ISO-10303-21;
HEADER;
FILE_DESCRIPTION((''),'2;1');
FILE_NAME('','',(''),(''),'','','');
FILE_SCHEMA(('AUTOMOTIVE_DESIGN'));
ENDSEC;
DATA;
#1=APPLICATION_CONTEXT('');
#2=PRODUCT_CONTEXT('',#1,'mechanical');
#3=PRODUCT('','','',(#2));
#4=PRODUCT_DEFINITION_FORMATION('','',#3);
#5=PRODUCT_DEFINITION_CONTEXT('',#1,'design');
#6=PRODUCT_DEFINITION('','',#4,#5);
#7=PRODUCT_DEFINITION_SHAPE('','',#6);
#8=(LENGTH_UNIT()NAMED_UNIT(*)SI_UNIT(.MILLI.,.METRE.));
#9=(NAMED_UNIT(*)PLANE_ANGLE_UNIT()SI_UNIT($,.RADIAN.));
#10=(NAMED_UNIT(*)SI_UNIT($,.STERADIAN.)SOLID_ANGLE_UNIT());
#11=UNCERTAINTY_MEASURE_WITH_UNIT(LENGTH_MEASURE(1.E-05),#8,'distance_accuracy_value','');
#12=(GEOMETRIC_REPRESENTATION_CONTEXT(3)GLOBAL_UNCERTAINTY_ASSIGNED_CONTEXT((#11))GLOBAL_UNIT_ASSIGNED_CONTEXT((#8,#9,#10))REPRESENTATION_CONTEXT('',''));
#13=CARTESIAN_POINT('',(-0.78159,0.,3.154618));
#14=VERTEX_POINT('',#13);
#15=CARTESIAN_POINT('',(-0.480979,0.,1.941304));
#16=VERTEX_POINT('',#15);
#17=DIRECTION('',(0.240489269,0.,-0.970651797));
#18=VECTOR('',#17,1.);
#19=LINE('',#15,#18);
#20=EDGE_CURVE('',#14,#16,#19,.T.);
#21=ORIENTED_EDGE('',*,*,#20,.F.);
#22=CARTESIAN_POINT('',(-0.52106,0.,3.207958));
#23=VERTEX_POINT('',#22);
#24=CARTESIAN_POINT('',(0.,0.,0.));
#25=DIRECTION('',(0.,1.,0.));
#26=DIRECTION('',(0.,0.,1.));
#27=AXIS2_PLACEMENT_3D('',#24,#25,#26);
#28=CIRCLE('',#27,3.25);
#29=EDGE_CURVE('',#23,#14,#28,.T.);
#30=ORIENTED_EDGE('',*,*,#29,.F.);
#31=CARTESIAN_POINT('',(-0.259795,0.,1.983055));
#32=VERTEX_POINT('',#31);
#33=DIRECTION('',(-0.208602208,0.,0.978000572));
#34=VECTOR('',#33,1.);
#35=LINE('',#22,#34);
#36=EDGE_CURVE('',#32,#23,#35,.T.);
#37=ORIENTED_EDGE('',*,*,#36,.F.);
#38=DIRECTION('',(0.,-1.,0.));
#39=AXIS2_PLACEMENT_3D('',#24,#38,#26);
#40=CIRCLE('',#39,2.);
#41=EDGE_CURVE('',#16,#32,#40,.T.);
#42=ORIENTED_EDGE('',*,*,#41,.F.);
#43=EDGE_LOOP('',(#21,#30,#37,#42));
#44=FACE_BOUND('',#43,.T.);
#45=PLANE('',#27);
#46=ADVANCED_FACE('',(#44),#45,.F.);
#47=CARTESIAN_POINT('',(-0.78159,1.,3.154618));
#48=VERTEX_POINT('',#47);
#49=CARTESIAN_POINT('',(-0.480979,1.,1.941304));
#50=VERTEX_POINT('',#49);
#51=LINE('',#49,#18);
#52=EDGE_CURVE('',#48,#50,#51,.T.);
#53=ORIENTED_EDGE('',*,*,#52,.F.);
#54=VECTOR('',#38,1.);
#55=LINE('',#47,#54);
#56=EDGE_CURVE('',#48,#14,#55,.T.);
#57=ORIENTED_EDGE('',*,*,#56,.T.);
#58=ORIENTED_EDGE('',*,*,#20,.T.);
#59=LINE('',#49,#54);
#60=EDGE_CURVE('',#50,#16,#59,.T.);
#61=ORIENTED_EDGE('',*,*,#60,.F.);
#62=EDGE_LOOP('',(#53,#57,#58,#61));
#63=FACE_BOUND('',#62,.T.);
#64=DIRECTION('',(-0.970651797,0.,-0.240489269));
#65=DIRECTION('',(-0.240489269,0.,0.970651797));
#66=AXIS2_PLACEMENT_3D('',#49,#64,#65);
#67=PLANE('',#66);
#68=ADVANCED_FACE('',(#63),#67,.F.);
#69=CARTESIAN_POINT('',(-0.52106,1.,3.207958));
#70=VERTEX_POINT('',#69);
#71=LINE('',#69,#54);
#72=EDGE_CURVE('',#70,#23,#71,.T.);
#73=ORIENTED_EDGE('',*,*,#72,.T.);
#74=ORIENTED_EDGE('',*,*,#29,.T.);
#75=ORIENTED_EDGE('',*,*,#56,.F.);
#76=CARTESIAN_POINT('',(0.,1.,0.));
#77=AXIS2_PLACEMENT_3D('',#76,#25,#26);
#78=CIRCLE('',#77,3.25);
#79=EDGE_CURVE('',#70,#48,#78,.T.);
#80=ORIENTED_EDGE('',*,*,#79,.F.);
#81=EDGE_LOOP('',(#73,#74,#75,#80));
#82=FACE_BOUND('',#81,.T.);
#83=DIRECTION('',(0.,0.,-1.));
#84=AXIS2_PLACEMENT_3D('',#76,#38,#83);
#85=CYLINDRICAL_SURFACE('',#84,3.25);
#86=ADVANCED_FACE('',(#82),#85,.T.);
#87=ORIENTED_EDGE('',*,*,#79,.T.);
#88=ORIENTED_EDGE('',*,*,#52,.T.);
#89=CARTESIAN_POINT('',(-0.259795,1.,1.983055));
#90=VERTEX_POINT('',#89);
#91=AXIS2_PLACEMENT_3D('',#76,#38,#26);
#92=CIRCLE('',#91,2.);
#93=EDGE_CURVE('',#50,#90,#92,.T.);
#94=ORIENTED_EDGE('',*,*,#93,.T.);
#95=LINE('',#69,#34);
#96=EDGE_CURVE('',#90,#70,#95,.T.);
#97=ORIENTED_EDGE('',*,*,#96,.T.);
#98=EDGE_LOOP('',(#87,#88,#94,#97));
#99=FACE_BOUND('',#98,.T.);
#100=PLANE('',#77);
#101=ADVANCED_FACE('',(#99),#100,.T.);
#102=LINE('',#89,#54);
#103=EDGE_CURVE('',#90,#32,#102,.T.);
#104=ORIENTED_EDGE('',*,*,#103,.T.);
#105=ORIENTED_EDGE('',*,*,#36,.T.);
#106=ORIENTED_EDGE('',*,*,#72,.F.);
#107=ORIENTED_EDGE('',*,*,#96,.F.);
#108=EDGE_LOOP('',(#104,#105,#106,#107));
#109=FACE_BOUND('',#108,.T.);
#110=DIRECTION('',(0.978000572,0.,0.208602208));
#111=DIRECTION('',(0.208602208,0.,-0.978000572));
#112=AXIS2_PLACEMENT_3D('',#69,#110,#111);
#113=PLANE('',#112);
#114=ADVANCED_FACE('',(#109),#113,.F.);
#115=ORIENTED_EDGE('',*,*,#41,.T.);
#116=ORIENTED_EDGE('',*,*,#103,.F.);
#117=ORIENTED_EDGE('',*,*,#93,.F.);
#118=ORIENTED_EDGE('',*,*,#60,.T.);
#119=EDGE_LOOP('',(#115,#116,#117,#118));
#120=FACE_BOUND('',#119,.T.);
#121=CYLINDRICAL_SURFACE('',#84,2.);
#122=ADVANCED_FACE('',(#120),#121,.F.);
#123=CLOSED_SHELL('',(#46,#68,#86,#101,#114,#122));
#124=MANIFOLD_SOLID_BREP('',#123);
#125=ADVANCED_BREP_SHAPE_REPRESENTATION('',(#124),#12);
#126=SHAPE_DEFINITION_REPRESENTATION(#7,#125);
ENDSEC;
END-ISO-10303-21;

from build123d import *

# Parameters (mm, degrees)
EXTRUDE_1_DEPTH = 1


with BuildPart() as part:
    # Эскиз1 → Бобышка-Вытянуть1 (new body)
    with BuildSketch(Plane(origin=(0, 0, 0), x_dir=(1, 0, 0), z_dir=(0, 1, 0))):
        with BuildLine():
            Line((-0.480978539, -1.941303594), (-0.781590125, -3.154618341))
            ThreePointArc((-0.781590125, -3.154618341), (0.651870907, 3.183954196), (-0.521060083, -3.20795829))
            Line((-0.521060083, -3.20795829), (-0.259794841, -1.983054876))
            ThreePointArc((-0.259794841, -1.983054876), (0.370974517, 1.965293339), (-0.480978539, -1.941303594))
        make_face()
    extrude(amount=EXTRUDE_1_DEPTH)


solid = part.part
